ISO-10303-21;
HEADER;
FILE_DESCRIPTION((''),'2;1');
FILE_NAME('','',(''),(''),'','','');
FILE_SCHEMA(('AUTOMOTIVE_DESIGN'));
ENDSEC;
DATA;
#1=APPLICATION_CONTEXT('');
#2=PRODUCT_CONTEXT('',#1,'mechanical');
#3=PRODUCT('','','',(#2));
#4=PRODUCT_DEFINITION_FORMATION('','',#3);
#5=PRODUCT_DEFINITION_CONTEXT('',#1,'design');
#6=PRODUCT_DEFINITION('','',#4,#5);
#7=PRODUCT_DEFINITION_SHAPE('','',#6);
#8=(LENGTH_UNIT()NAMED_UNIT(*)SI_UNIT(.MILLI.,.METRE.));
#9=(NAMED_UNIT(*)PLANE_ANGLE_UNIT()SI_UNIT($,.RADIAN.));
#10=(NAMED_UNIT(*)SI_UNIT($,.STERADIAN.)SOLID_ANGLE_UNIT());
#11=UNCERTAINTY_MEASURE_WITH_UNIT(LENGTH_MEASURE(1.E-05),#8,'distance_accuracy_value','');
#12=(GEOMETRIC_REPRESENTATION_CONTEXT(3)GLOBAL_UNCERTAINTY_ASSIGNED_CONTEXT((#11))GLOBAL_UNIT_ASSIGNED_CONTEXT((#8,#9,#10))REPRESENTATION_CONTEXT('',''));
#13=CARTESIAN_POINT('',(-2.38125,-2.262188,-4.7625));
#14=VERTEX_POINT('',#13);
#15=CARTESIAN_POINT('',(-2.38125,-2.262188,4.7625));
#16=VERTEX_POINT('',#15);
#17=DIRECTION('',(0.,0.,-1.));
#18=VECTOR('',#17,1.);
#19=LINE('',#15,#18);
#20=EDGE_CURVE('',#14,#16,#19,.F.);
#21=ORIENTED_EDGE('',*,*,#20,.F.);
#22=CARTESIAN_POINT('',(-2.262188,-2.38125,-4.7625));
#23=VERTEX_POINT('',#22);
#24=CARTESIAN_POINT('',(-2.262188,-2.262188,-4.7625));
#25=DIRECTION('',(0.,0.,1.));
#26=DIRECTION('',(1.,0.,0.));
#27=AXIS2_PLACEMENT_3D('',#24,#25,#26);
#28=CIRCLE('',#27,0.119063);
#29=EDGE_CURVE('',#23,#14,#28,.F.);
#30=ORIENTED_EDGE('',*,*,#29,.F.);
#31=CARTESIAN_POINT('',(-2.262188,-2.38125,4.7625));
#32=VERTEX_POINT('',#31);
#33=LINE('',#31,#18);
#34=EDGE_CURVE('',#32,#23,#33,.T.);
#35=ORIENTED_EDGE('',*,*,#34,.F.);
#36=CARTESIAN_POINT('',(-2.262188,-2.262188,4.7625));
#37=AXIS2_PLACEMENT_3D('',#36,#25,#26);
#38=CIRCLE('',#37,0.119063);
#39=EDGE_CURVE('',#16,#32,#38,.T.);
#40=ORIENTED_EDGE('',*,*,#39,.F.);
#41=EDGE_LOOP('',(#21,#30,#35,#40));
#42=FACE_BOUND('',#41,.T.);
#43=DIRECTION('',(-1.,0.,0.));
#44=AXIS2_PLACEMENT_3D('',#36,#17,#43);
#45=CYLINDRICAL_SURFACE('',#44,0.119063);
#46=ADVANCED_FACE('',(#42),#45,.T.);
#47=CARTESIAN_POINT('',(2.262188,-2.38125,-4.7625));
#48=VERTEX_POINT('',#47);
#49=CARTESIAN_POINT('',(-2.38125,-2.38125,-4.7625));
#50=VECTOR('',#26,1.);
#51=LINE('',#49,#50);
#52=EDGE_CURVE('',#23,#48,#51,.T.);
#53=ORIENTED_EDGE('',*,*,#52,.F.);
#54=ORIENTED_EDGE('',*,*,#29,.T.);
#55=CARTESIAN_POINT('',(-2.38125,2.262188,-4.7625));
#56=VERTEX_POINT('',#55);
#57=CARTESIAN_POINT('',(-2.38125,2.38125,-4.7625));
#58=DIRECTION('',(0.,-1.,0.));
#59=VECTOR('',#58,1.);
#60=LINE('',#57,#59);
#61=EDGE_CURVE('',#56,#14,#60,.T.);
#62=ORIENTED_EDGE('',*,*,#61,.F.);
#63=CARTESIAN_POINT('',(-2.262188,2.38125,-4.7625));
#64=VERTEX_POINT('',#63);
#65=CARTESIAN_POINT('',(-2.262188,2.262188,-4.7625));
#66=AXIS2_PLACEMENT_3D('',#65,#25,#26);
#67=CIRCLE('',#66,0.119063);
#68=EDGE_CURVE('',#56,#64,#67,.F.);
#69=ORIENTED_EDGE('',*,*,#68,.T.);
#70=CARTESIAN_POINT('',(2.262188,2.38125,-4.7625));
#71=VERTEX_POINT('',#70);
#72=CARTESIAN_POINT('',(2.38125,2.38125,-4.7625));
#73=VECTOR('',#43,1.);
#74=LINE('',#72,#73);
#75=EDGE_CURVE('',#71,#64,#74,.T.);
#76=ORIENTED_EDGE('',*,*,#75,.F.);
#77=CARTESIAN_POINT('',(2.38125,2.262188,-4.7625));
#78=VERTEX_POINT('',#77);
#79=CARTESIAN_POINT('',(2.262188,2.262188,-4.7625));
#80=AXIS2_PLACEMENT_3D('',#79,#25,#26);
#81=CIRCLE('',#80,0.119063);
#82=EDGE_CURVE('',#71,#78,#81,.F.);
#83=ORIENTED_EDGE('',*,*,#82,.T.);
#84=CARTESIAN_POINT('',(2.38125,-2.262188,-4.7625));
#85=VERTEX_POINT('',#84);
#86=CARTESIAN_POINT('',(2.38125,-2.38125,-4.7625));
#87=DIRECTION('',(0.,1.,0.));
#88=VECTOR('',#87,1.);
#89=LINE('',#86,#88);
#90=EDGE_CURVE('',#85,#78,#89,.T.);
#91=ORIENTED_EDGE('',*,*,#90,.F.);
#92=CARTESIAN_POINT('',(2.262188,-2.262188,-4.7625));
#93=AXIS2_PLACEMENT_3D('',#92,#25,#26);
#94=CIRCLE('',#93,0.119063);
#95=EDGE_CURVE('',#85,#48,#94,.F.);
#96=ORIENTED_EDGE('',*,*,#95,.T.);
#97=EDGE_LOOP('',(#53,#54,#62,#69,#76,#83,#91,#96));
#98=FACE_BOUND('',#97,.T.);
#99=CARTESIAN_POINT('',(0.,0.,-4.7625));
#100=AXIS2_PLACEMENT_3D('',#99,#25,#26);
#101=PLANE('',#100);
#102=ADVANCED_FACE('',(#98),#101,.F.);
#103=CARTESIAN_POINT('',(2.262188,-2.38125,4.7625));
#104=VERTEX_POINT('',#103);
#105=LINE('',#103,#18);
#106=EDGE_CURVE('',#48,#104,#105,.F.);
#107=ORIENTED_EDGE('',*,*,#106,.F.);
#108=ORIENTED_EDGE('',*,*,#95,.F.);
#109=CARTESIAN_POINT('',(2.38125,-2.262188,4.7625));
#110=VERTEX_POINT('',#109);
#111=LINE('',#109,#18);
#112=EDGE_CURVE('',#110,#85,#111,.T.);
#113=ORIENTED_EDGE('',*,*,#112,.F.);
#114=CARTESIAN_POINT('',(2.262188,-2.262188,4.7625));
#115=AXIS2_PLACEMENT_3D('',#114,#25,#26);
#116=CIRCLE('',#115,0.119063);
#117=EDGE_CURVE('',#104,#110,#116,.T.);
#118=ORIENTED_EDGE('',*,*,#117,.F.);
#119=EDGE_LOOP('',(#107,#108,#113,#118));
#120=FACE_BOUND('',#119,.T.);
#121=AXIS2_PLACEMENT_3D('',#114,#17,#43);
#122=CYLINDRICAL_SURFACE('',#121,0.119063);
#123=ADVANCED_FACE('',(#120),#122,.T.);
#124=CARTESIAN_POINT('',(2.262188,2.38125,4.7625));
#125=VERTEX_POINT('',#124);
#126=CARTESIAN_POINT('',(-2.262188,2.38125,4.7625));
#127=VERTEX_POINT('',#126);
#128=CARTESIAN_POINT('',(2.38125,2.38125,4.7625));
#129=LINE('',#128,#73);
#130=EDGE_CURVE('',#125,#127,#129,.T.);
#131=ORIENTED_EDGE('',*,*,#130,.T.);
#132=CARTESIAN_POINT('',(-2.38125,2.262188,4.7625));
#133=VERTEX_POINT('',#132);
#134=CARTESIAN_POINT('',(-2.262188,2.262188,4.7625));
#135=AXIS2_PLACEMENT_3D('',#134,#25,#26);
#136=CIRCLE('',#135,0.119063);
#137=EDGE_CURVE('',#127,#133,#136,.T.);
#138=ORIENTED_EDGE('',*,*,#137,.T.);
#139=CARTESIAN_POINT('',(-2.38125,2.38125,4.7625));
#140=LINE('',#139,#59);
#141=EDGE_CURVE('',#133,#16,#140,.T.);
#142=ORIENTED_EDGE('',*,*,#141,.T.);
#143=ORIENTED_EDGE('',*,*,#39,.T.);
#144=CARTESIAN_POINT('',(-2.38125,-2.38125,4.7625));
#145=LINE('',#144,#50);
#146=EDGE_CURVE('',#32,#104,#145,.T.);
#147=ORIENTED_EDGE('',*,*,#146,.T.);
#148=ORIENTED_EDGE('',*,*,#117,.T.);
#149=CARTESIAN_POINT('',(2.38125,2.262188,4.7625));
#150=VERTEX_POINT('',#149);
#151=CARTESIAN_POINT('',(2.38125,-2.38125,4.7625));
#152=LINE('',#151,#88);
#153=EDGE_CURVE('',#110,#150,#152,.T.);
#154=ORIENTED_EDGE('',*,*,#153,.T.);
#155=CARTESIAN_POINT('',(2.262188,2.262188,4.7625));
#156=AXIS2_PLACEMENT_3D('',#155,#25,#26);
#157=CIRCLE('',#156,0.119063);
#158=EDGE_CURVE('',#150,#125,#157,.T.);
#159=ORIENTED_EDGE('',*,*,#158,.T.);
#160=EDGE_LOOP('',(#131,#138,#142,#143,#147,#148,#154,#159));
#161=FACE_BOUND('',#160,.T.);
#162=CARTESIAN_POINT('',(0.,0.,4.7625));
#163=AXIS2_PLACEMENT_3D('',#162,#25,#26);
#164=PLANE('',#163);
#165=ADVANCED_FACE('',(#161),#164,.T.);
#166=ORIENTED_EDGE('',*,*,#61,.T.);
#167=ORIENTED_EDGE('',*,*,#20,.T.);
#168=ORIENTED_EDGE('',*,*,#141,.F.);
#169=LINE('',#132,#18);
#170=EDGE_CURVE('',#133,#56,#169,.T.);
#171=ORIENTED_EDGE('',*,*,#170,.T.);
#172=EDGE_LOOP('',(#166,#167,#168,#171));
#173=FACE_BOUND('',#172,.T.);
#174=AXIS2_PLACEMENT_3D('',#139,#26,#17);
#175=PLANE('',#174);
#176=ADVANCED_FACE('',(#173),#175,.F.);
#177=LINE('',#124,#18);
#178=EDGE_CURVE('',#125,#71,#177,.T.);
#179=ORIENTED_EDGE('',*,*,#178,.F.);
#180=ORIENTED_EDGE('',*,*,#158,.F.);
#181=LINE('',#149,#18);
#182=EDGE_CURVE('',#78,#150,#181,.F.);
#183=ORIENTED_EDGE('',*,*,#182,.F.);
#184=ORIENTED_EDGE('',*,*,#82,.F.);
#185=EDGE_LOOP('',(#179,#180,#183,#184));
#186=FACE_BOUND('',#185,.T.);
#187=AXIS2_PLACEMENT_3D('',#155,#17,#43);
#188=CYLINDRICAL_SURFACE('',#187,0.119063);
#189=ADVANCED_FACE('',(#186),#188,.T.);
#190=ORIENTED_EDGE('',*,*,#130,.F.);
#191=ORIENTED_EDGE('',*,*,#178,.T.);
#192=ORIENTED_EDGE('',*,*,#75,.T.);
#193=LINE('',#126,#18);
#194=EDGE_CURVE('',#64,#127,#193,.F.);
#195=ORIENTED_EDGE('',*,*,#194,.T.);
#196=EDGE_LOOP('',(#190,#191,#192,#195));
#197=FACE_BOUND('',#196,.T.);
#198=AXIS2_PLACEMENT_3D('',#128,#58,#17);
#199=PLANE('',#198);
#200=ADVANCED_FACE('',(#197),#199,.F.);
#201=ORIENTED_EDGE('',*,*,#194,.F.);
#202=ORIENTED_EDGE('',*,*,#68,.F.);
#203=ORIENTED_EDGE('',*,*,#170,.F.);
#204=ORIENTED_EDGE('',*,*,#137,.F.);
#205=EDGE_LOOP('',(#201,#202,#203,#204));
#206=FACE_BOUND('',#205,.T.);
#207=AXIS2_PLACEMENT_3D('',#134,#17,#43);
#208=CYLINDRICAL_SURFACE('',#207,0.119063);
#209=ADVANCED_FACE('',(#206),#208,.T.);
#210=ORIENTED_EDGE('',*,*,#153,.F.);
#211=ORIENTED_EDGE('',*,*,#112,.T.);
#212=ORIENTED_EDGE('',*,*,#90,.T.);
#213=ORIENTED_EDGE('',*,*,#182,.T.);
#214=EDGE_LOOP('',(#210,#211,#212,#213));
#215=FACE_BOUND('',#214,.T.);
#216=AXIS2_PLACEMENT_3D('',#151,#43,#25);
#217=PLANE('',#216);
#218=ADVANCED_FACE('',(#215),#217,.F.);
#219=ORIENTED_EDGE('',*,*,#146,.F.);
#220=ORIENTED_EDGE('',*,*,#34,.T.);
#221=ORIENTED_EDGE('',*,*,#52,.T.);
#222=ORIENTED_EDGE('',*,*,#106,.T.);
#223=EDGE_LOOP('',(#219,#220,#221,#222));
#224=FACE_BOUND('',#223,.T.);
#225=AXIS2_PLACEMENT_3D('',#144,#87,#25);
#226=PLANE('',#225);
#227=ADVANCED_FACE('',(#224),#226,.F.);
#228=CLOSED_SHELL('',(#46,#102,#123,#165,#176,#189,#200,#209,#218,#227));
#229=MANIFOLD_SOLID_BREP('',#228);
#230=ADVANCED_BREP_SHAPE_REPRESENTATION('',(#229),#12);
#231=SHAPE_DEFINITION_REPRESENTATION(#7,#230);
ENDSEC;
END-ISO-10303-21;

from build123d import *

# Parameters (mm, degrees)
BOSS_EXTRUDE1_START = -4.7625
SKETCH3_W           = 4.7625
SKETCH3_H           = 4.7625
BOSS_EXTRUDE1_DEPTH = 9.525
FILLET1_R           = 0.1190625


with BuildPart() as part:
    # Sketch3 → Boss-Extrude1 (new body)
    with BuildSketch(Plane.XY.offset(BOSS_EXTRUDE1_START)):
        Rectangle(SKETCH3_W, SKETCH3_H)
    extrude(amount=BOSS_EXTRUDE1_DEPTH)

    # Fillet1
    fillet1_edges = [part.edges().sort_by_distance(p)[0] for p in [
        (-2.38125, 2.38125, 0),
        (2.38125, 2.38125, 0),
        (2.38125, -2.38125, 0),
        (-2.38125, -2.38125, 0),
    ]]
    fillet(fillet1_edges, radius=FILLET1_R)


solid = part.part
